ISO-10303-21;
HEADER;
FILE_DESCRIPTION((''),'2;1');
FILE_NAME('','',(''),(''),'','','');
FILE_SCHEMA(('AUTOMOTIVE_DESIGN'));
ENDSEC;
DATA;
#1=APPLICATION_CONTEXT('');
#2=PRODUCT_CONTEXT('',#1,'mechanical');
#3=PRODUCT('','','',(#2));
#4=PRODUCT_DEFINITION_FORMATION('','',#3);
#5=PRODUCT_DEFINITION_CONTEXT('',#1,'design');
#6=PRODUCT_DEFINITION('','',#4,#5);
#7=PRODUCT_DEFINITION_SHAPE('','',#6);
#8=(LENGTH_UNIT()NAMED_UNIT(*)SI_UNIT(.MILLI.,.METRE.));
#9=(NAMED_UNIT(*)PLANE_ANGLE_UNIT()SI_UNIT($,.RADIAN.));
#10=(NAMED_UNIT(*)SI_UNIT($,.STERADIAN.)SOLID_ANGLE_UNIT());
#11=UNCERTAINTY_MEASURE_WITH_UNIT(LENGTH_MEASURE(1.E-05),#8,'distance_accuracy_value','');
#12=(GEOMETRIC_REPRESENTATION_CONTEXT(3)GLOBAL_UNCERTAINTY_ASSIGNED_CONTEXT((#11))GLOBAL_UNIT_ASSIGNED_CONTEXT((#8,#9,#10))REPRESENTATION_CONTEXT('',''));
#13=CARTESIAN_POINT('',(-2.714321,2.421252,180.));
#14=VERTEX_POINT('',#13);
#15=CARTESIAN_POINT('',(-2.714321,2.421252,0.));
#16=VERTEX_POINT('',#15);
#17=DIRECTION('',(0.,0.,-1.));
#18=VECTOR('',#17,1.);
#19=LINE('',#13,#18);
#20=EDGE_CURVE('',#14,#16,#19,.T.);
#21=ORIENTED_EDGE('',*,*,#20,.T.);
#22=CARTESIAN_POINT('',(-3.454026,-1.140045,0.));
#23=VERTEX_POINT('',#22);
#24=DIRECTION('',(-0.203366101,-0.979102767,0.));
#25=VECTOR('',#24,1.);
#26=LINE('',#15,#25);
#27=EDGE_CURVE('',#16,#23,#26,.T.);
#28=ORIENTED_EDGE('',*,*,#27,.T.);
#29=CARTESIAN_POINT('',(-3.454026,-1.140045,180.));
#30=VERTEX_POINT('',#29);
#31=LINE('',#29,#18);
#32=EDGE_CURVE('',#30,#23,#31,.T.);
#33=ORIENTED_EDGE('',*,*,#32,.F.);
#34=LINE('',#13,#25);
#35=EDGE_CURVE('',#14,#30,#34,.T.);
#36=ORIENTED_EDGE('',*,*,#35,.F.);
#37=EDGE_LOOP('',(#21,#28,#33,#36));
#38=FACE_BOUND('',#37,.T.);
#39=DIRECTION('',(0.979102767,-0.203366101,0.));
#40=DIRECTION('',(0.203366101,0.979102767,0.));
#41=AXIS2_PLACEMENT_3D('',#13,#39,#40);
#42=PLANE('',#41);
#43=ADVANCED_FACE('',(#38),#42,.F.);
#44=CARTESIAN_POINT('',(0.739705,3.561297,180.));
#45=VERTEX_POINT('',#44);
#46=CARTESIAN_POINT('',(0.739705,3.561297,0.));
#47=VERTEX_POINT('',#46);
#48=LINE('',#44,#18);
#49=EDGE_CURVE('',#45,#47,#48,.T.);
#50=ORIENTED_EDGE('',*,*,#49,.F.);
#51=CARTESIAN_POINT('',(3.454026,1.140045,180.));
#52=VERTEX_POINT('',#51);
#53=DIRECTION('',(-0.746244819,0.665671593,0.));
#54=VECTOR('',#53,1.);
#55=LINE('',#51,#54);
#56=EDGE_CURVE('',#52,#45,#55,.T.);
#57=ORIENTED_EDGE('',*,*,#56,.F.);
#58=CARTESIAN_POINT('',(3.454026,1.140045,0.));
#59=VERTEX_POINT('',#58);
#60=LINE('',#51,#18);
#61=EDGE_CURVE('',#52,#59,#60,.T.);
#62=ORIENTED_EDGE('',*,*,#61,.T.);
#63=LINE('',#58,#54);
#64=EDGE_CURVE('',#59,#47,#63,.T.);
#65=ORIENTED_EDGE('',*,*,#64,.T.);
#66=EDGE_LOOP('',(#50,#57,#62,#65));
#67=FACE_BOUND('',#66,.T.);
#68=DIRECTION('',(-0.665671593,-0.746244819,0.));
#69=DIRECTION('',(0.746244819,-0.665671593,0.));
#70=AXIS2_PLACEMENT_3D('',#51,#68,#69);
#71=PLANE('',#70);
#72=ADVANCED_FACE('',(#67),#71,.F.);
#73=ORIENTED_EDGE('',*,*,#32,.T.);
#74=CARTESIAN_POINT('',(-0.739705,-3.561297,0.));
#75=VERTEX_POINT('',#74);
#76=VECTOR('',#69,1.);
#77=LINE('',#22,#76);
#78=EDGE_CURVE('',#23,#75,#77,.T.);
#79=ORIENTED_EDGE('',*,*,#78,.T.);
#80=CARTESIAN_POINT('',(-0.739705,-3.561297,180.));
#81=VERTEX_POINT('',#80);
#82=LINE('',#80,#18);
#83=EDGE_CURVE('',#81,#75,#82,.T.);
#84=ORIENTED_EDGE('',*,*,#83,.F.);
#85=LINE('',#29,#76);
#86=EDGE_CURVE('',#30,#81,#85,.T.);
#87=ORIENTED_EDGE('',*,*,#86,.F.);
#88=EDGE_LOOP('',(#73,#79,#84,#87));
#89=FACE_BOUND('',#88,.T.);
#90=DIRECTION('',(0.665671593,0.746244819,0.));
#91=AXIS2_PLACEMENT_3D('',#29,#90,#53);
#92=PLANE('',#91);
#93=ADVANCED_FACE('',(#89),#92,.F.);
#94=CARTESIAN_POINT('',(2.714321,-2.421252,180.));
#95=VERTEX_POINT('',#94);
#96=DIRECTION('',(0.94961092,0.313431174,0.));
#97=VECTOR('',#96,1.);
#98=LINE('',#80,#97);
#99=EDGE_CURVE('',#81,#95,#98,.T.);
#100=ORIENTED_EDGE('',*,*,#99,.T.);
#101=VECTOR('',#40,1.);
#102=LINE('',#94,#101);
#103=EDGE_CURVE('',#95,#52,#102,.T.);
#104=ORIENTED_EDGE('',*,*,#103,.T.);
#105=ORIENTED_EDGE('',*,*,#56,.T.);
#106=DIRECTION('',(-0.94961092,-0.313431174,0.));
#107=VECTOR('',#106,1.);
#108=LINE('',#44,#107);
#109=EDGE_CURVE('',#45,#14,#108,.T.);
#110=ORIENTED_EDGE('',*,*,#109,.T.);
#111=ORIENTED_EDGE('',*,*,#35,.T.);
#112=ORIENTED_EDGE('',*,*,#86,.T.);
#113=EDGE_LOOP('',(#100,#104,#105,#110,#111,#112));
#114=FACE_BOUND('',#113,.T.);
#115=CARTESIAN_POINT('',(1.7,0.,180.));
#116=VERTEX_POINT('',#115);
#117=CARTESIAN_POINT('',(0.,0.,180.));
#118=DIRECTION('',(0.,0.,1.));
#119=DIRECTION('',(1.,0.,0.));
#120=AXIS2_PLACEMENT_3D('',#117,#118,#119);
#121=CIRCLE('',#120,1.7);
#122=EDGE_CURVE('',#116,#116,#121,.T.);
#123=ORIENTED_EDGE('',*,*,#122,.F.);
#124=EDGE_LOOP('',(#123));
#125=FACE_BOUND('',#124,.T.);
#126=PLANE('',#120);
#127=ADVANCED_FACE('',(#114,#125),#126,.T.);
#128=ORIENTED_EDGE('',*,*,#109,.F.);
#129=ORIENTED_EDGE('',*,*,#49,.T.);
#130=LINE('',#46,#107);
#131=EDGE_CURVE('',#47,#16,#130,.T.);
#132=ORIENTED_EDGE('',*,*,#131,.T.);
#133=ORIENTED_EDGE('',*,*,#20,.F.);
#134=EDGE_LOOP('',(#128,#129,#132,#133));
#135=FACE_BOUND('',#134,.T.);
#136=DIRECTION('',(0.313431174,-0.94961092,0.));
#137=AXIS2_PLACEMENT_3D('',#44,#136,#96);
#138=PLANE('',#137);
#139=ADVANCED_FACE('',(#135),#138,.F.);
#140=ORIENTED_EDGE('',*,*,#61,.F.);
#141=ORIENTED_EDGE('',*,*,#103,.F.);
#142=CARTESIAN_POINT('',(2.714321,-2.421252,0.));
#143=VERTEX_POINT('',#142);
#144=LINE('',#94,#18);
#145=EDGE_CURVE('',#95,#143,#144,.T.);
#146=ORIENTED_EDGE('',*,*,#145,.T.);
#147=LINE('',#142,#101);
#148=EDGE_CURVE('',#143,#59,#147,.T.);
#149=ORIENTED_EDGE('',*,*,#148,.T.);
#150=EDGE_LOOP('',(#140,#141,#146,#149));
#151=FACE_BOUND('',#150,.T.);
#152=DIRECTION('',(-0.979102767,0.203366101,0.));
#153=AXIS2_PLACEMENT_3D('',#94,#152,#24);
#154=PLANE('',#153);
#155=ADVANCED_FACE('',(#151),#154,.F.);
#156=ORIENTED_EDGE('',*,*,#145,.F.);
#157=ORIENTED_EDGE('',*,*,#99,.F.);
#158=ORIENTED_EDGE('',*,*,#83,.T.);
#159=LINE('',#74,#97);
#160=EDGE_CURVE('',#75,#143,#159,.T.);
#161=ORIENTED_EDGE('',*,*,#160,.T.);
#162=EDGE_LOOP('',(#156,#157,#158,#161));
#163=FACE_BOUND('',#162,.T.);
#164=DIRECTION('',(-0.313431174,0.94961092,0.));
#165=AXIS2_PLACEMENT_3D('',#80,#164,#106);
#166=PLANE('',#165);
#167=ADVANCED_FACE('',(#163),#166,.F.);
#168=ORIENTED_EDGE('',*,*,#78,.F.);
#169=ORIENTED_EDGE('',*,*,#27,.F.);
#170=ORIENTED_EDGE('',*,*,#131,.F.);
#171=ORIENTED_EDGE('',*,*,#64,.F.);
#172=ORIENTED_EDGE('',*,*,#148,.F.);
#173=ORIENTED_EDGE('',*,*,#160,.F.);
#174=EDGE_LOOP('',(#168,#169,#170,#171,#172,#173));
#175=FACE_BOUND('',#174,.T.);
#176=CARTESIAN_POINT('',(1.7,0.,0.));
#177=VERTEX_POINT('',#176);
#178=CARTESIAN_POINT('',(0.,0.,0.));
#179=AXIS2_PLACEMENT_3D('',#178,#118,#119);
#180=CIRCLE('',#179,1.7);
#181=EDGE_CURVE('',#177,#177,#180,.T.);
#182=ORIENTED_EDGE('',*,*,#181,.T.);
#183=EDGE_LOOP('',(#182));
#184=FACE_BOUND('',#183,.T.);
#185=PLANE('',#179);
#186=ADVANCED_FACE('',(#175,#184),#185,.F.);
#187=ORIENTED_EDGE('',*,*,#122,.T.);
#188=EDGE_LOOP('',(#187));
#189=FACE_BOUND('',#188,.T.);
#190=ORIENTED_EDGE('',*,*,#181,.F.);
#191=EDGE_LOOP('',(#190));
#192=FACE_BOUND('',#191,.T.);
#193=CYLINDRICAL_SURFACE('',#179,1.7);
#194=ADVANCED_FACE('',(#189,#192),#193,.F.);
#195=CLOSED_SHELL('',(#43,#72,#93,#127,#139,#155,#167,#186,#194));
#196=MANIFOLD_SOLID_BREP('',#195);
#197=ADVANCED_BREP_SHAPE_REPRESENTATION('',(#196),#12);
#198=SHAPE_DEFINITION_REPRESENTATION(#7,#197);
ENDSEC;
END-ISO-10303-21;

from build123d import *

# Parameters (mm, degrees)
SALIENTE_EXTRUIR1_DEPTH = 180
CROQUIS2_R              = 1.7
CORTAR_EXTRUIR1_DEPTH   = 181


with BuildPart() as part:
    # Croquis1 → Saliente-Extruir1 (new body)
    with BuildSketch(Plane.XY):
        Polygon((3.454026158, 1.140045307), (0.739704881, 3.561297051), (-2.714321276, 2.421251744), (-3.454026158, -1.140045307), (-0.739704881, -3.561297051), (2.714321276, -2.421251744), align=None)
    extrude(amount=SALIENTE_EXTRUIR1_DEPTH)

    # Croquis2 → Cortar-Extruir1 (cut, through all)
    with BuildSketch(Plane.XY.offset(180)):
        Circle(CROQUIS2_R)
    extrude(amount=-CORTAR_EXTRUIR1_DEPTH, mode=Mode.SUBTRACT)


solid = part.part
